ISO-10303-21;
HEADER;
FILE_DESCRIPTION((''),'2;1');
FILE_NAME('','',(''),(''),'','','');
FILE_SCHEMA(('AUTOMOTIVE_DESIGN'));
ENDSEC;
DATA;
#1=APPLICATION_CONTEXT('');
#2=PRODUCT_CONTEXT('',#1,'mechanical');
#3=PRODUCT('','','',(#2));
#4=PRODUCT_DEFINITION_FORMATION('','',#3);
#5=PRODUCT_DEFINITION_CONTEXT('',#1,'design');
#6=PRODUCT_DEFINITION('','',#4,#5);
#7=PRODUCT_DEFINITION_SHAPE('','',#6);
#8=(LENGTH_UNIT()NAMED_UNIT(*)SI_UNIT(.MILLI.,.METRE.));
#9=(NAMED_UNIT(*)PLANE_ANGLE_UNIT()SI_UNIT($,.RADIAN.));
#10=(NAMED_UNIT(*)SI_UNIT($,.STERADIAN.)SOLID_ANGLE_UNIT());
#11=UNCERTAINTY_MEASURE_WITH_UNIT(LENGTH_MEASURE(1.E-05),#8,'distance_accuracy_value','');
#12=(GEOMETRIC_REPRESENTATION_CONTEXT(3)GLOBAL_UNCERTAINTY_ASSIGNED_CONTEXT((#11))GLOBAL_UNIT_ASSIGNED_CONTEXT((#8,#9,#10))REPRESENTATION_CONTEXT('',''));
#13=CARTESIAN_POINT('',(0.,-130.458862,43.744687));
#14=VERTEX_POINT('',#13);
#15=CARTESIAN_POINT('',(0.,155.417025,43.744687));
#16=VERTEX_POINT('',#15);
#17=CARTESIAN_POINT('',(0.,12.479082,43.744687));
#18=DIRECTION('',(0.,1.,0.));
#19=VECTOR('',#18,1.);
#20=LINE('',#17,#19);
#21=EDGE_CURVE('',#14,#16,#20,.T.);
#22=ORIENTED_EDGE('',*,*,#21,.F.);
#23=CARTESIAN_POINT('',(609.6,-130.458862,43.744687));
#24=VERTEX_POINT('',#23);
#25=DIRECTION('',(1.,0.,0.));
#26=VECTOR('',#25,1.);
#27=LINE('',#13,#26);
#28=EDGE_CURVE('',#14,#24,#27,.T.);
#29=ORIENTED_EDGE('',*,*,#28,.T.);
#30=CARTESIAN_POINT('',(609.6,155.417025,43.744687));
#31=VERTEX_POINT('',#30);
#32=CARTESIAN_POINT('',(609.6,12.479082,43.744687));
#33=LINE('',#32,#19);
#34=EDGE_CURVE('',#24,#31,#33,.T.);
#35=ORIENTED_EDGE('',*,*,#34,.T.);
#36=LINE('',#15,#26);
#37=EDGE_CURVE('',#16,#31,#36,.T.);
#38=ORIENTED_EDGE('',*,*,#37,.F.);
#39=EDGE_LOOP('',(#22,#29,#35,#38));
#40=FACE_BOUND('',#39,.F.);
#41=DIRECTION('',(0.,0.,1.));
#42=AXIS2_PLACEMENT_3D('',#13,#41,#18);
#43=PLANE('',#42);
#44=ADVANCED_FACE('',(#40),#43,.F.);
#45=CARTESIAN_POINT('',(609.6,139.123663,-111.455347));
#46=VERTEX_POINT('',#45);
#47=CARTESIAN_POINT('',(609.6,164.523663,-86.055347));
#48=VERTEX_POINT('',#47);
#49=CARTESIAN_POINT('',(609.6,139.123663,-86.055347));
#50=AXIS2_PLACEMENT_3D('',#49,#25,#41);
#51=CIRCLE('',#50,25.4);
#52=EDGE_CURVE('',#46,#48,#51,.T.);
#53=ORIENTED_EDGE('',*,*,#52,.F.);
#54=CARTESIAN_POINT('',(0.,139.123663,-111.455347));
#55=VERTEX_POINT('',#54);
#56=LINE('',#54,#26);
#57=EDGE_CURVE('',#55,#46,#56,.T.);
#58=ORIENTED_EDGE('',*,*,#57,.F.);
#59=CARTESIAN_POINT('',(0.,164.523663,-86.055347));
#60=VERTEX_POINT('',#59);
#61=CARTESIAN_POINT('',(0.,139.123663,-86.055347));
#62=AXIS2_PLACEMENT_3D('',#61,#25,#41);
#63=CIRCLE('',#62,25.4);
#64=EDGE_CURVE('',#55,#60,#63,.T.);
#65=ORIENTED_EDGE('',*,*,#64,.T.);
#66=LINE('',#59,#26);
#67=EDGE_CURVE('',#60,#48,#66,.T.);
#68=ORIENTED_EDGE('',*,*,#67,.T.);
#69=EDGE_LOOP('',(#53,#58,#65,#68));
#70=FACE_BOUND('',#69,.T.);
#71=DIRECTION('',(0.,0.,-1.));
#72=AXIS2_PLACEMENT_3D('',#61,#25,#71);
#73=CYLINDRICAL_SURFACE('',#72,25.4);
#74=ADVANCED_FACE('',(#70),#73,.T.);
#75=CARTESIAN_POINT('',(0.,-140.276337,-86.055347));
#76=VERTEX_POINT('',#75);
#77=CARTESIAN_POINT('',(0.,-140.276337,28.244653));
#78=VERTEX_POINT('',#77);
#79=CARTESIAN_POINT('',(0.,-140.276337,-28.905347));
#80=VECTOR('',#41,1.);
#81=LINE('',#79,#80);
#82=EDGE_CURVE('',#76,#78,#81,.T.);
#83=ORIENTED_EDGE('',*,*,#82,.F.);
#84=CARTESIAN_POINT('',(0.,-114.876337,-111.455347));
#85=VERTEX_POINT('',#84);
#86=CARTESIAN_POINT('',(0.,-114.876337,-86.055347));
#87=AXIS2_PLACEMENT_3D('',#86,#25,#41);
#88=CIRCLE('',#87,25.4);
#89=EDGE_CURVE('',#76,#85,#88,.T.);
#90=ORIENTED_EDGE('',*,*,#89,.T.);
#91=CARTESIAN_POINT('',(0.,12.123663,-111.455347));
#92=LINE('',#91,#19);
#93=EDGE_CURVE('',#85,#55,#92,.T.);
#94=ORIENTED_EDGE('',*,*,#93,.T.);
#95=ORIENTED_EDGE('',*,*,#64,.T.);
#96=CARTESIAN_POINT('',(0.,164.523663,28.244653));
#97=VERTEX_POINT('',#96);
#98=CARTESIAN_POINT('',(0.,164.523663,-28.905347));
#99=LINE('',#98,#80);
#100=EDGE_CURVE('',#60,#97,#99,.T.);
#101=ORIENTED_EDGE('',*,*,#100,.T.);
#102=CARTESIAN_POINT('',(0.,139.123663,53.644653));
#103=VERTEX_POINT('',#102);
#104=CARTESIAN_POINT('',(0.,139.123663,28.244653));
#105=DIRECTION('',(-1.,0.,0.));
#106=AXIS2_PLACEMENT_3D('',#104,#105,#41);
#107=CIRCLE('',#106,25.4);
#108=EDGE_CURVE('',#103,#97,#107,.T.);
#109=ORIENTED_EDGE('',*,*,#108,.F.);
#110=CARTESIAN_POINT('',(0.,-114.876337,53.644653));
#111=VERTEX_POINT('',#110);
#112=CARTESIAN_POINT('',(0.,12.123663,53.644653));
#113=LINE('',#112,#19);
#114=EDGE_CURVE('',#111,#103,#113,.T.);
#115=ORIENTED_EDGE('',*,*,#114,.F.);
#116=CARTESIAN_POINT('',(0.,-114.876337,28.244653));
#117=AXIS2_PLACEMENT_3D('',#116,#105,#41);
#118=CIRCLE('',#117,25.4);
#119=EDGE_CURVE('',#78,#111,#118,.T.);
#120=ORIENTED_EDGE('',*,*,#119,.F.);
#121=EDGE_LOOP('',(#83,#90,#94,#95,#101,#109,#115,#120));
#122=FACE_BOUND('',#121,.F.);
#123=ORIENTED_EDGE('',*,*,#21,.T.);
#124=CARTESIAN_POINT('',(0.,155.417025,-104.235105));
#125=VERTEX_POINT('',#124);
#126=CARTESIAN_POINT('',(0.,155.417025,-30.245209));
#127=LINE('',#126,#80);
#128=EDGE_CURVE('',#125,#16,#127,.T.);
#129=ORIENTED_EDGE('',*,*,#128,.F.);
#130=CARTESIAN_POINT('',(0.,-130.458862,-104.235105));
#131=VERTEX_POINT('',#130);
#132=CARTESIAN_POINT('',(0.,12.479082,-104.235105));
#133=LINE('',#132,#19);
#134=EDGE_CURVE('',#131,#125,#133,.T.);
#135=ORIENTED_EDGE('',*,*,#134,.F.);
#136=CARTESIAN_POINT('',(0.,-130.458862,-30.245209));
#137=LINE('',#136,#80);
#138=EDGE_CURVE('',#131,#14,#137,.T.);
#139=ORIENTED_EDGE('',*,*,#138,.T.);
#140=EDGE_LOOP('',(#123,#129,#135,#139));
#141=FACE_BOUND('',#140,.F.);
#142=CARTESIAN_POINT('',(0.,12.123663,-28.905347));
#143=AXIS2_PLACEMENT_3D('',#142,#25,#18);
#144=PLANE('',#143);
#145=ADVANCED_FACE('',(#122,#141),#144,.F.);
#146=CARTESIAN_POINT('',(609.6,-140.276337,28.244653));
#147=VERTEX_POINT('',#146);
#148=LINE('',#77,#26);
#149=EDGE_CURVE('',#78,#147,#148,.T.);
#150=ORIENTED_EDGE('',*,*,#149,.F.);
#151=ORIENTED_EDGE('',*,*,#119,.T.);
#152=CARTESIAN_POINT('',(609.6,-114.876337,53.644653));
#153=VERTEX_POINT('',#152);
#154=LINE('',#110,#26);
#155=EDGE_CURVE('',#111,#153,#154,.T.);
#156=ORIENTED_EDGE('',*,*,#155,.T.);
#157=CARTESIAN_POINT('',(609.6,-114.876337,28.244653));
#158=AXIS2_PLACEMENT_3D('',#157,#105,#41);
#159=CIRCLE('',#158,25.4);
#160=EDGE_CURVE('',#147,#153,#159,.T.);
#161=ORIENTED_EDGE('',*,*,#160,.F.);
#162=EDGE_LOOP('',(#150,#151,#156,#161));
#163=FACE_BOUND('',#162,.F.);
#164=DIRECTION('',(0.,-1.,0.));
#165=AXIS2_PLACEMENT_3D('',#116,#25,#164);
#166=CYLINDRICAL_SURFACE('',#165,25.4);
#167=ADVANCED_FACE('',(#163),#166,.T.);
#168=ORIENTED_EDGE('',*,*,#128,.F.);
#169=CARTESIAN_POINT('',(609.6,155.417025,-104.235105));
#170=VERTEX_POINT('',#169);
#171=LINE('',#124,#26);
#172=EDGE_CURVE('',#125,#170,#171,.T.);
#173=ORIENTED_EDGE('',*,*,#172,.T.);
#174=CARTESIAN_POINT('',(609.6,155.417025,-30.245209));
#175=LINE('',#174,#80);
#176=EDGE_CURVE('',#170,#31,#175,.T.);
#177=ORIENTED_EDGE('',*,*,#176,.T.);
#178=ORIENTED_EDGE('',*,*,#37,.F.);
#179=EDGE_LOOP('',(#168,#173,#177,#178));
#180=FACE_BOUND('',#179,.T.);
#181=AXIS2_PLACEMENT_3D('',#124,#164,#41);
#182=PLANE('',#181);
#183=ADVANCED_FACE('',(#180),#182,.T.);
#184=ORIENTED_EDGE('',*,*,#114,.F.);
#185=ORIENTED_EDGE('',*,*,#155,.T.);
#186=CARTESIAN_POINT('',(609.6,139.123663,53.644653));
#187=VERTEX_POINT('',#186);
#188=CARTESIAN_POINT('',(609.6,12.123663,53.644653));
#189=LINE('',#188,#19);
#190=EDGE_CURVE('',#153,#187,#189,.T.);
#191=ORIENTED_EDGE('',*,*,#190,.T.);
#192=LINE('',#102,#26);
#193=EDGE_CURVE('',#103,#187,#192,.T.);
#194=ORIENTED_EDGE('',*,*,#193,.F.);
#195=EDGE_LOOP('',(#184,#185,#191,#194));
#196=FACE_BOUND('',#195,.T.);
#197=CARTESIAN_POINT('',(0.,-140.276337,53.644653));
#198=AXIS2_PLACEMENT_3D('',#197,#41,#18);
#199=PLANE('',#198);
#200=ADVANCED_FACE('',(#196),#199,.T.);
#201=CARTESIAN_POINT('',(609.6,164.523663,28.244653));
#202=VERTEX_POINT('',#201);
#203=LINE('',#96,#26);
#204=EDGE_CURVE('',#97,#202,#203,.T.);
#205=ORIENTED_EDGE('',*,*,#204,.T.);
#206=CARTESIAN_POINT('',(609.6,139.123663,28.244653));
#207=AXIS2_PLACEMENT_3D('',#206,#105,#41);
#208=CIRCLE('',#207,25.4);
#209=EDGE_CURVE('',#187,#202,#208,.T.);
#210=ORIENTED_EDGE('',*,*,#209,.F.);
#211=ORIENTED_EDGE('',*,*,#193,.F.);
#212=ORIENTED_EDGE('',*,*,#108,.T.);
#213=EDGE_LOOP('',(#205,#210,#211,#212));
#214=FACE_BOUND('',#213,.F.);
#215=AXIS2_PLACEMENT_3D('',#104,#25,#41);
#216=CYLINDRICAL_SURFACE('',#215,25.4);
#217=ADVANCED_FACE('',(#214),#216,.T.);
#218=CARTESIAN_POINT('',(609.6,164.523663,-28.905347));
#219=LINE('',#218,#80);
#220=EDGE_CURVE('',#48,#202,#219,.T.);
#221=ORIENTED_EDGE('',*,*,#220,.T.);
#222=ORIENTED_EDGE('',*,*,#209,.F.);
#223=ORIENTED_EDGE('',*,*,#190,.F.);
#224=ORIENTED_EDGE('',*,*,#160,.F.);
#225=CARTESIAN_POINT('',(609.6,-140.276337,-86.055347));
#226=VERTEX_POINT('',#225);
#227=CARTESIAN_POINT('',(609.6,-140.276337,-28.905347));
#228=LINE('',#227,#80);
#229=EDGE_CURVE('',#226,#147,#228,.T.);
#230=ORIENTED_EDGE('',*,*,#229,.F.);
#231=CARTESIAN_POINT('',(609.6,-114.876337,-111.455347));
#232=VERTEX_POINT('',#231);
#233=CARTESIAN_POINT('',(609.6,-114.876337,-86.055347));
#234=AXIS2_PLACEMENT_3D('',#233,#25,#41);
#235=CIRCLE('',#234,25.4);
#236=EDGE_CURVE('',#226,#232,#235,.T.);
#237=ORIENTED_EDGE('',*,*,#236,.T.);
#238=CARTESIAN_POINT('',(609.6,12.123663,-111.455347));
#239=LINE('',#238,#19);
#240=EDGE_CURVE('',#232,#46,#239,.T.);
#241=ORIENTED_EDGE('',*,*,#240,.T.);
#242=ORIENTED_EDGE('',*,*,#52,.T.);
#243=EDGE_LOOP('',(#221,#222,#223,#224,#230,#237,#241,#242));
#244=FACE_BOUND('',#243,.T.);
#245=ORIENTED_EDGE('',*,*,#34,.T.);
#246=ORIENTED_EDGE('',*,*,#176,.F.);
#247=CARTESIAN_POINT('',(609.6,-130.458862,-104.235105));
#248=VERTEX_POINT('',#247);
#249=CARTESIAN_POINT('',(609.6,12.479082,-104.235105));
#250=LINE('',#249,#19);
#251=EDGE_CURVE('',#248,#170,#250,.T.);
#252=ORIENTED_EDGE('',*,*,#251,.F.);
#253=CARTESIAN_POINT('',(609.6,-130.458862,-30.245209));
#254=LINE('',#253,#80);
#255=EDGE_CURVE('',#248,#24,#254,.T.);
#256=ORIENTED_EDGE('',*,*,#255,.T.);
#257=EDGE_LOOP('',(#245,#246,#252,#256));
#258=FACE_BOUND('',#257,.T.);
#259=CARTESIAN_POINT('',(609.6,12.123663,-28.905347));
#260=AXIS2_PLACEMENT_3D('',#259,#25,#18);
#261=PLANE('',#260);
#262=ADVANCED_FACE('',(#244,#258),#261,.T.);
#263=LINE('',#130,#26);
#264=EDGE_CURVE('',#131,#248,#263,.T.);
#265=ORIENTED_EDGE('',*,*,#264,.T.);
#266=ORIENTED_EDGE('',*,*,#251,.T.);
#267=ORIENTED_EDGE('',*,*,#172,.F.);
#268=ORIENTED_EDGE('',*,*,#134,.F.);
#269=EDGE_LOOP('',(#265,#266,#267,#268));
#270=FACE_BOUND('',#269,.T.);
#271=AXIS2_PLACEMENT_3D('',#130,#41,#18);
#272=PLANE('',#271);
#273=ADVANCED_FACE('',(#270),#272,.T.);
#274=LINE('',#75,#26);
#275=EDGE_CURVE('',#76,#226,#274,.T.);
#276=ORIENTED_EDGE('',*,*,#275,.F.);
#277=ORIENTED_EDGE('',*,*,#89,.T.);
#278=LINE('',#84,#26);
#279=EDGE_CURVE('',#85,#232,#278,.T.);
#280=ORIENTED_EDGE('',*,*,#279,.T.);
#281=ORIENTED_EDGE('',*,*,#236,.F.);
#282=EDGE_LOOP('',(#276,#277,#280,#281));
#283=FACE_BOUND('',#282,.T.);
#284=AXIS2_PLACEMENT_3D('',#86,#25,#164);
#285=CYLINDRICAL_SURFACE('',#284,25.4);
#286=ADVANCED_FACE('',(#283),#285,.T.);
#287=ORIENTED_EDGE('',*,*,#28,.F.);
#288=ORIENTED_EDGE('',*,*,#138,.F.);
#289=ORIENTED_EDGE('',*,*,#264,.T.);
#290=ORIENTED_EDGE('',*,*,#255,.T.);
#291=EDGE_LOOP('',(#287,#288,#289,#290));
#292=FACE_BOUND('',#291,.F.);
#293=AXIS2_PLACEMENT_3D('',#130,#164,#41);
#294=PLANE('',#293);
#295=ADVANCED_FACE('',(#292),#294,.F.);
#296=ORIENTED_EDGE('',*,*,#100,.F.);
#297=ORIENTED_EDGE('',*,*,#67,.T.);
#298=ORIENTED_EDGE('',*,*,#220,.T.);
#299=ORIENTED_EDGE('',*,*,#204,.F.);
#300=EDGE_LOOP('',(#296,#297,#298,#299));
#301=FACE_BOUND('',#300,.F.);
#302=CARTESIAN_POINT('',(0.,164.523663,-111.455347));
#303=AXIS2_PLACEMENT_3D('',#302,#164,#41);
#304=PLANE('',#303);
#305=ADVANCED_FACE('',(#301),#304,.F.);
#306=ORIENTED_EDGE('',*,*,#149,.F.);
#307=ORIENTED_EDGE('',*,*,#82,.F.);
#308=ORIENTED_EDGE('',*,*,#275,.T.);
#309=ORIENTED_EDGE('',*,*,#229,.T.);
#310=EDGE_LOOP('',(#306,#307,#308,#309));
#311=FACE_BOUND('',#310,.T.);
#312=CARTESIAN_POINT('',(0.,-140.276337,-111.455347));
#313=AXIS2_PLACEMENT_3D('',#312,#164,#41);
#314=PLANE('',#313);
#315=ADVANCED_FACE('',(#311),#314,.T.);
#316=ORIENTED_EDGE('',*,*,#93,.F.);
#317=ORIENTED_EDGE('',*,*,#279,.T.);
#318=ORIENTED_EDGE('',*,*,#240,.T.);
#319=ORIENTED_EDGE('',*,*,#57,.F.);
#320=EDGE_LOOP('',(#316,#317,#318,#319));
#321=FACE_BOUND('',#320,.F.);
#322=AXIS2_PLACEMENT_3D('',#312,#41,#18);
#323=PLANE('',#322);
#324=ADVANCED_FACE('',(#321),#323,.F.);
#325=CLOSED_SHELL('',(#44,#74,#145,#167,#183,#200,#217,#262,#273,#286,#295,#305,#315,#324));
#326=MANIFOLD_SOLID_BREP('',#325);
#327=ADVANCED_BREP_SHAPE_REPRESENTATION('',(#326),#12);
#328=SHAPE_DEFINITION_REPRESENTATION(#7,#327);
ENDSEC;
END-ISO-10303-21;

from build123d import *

# Parameters (mm, degrees)
F0_W     = 304.8
F0_H     = 165.1
F0_W_2   = 285.875887
F0_H_2   = 147.979792
F1_DEPTH = 609.6
F2_R     = 25.4


with BuildPart() as f1:
    # F0 (on Right) → F1 (new body)
    with BuildSketch(Plane.YZ):
        with Locations((12.123663, -28.905347)):
            Rectangle(F0_W, F0_H)
        with Locations((12.479082, -30.245209)):
            Rectangle(F0_W_2, F0_H_2, mode=Mode.SUBTRACT)
    extrude(amount=F1_DEPTH)

    # F2
    f2_edges = [f1.edges().sort_by_distance(p)[0] for p in [
        (304.8, -140.276337, 53.644653),
        (304.8, 164.523663, 53.644653),
        (304.8, -140.276337, -111.455347),
        (304.8, 164.523663, -111.455347),
    ]]
    fillet(f2_edges, radius=F2_R)


solid = f1.part
